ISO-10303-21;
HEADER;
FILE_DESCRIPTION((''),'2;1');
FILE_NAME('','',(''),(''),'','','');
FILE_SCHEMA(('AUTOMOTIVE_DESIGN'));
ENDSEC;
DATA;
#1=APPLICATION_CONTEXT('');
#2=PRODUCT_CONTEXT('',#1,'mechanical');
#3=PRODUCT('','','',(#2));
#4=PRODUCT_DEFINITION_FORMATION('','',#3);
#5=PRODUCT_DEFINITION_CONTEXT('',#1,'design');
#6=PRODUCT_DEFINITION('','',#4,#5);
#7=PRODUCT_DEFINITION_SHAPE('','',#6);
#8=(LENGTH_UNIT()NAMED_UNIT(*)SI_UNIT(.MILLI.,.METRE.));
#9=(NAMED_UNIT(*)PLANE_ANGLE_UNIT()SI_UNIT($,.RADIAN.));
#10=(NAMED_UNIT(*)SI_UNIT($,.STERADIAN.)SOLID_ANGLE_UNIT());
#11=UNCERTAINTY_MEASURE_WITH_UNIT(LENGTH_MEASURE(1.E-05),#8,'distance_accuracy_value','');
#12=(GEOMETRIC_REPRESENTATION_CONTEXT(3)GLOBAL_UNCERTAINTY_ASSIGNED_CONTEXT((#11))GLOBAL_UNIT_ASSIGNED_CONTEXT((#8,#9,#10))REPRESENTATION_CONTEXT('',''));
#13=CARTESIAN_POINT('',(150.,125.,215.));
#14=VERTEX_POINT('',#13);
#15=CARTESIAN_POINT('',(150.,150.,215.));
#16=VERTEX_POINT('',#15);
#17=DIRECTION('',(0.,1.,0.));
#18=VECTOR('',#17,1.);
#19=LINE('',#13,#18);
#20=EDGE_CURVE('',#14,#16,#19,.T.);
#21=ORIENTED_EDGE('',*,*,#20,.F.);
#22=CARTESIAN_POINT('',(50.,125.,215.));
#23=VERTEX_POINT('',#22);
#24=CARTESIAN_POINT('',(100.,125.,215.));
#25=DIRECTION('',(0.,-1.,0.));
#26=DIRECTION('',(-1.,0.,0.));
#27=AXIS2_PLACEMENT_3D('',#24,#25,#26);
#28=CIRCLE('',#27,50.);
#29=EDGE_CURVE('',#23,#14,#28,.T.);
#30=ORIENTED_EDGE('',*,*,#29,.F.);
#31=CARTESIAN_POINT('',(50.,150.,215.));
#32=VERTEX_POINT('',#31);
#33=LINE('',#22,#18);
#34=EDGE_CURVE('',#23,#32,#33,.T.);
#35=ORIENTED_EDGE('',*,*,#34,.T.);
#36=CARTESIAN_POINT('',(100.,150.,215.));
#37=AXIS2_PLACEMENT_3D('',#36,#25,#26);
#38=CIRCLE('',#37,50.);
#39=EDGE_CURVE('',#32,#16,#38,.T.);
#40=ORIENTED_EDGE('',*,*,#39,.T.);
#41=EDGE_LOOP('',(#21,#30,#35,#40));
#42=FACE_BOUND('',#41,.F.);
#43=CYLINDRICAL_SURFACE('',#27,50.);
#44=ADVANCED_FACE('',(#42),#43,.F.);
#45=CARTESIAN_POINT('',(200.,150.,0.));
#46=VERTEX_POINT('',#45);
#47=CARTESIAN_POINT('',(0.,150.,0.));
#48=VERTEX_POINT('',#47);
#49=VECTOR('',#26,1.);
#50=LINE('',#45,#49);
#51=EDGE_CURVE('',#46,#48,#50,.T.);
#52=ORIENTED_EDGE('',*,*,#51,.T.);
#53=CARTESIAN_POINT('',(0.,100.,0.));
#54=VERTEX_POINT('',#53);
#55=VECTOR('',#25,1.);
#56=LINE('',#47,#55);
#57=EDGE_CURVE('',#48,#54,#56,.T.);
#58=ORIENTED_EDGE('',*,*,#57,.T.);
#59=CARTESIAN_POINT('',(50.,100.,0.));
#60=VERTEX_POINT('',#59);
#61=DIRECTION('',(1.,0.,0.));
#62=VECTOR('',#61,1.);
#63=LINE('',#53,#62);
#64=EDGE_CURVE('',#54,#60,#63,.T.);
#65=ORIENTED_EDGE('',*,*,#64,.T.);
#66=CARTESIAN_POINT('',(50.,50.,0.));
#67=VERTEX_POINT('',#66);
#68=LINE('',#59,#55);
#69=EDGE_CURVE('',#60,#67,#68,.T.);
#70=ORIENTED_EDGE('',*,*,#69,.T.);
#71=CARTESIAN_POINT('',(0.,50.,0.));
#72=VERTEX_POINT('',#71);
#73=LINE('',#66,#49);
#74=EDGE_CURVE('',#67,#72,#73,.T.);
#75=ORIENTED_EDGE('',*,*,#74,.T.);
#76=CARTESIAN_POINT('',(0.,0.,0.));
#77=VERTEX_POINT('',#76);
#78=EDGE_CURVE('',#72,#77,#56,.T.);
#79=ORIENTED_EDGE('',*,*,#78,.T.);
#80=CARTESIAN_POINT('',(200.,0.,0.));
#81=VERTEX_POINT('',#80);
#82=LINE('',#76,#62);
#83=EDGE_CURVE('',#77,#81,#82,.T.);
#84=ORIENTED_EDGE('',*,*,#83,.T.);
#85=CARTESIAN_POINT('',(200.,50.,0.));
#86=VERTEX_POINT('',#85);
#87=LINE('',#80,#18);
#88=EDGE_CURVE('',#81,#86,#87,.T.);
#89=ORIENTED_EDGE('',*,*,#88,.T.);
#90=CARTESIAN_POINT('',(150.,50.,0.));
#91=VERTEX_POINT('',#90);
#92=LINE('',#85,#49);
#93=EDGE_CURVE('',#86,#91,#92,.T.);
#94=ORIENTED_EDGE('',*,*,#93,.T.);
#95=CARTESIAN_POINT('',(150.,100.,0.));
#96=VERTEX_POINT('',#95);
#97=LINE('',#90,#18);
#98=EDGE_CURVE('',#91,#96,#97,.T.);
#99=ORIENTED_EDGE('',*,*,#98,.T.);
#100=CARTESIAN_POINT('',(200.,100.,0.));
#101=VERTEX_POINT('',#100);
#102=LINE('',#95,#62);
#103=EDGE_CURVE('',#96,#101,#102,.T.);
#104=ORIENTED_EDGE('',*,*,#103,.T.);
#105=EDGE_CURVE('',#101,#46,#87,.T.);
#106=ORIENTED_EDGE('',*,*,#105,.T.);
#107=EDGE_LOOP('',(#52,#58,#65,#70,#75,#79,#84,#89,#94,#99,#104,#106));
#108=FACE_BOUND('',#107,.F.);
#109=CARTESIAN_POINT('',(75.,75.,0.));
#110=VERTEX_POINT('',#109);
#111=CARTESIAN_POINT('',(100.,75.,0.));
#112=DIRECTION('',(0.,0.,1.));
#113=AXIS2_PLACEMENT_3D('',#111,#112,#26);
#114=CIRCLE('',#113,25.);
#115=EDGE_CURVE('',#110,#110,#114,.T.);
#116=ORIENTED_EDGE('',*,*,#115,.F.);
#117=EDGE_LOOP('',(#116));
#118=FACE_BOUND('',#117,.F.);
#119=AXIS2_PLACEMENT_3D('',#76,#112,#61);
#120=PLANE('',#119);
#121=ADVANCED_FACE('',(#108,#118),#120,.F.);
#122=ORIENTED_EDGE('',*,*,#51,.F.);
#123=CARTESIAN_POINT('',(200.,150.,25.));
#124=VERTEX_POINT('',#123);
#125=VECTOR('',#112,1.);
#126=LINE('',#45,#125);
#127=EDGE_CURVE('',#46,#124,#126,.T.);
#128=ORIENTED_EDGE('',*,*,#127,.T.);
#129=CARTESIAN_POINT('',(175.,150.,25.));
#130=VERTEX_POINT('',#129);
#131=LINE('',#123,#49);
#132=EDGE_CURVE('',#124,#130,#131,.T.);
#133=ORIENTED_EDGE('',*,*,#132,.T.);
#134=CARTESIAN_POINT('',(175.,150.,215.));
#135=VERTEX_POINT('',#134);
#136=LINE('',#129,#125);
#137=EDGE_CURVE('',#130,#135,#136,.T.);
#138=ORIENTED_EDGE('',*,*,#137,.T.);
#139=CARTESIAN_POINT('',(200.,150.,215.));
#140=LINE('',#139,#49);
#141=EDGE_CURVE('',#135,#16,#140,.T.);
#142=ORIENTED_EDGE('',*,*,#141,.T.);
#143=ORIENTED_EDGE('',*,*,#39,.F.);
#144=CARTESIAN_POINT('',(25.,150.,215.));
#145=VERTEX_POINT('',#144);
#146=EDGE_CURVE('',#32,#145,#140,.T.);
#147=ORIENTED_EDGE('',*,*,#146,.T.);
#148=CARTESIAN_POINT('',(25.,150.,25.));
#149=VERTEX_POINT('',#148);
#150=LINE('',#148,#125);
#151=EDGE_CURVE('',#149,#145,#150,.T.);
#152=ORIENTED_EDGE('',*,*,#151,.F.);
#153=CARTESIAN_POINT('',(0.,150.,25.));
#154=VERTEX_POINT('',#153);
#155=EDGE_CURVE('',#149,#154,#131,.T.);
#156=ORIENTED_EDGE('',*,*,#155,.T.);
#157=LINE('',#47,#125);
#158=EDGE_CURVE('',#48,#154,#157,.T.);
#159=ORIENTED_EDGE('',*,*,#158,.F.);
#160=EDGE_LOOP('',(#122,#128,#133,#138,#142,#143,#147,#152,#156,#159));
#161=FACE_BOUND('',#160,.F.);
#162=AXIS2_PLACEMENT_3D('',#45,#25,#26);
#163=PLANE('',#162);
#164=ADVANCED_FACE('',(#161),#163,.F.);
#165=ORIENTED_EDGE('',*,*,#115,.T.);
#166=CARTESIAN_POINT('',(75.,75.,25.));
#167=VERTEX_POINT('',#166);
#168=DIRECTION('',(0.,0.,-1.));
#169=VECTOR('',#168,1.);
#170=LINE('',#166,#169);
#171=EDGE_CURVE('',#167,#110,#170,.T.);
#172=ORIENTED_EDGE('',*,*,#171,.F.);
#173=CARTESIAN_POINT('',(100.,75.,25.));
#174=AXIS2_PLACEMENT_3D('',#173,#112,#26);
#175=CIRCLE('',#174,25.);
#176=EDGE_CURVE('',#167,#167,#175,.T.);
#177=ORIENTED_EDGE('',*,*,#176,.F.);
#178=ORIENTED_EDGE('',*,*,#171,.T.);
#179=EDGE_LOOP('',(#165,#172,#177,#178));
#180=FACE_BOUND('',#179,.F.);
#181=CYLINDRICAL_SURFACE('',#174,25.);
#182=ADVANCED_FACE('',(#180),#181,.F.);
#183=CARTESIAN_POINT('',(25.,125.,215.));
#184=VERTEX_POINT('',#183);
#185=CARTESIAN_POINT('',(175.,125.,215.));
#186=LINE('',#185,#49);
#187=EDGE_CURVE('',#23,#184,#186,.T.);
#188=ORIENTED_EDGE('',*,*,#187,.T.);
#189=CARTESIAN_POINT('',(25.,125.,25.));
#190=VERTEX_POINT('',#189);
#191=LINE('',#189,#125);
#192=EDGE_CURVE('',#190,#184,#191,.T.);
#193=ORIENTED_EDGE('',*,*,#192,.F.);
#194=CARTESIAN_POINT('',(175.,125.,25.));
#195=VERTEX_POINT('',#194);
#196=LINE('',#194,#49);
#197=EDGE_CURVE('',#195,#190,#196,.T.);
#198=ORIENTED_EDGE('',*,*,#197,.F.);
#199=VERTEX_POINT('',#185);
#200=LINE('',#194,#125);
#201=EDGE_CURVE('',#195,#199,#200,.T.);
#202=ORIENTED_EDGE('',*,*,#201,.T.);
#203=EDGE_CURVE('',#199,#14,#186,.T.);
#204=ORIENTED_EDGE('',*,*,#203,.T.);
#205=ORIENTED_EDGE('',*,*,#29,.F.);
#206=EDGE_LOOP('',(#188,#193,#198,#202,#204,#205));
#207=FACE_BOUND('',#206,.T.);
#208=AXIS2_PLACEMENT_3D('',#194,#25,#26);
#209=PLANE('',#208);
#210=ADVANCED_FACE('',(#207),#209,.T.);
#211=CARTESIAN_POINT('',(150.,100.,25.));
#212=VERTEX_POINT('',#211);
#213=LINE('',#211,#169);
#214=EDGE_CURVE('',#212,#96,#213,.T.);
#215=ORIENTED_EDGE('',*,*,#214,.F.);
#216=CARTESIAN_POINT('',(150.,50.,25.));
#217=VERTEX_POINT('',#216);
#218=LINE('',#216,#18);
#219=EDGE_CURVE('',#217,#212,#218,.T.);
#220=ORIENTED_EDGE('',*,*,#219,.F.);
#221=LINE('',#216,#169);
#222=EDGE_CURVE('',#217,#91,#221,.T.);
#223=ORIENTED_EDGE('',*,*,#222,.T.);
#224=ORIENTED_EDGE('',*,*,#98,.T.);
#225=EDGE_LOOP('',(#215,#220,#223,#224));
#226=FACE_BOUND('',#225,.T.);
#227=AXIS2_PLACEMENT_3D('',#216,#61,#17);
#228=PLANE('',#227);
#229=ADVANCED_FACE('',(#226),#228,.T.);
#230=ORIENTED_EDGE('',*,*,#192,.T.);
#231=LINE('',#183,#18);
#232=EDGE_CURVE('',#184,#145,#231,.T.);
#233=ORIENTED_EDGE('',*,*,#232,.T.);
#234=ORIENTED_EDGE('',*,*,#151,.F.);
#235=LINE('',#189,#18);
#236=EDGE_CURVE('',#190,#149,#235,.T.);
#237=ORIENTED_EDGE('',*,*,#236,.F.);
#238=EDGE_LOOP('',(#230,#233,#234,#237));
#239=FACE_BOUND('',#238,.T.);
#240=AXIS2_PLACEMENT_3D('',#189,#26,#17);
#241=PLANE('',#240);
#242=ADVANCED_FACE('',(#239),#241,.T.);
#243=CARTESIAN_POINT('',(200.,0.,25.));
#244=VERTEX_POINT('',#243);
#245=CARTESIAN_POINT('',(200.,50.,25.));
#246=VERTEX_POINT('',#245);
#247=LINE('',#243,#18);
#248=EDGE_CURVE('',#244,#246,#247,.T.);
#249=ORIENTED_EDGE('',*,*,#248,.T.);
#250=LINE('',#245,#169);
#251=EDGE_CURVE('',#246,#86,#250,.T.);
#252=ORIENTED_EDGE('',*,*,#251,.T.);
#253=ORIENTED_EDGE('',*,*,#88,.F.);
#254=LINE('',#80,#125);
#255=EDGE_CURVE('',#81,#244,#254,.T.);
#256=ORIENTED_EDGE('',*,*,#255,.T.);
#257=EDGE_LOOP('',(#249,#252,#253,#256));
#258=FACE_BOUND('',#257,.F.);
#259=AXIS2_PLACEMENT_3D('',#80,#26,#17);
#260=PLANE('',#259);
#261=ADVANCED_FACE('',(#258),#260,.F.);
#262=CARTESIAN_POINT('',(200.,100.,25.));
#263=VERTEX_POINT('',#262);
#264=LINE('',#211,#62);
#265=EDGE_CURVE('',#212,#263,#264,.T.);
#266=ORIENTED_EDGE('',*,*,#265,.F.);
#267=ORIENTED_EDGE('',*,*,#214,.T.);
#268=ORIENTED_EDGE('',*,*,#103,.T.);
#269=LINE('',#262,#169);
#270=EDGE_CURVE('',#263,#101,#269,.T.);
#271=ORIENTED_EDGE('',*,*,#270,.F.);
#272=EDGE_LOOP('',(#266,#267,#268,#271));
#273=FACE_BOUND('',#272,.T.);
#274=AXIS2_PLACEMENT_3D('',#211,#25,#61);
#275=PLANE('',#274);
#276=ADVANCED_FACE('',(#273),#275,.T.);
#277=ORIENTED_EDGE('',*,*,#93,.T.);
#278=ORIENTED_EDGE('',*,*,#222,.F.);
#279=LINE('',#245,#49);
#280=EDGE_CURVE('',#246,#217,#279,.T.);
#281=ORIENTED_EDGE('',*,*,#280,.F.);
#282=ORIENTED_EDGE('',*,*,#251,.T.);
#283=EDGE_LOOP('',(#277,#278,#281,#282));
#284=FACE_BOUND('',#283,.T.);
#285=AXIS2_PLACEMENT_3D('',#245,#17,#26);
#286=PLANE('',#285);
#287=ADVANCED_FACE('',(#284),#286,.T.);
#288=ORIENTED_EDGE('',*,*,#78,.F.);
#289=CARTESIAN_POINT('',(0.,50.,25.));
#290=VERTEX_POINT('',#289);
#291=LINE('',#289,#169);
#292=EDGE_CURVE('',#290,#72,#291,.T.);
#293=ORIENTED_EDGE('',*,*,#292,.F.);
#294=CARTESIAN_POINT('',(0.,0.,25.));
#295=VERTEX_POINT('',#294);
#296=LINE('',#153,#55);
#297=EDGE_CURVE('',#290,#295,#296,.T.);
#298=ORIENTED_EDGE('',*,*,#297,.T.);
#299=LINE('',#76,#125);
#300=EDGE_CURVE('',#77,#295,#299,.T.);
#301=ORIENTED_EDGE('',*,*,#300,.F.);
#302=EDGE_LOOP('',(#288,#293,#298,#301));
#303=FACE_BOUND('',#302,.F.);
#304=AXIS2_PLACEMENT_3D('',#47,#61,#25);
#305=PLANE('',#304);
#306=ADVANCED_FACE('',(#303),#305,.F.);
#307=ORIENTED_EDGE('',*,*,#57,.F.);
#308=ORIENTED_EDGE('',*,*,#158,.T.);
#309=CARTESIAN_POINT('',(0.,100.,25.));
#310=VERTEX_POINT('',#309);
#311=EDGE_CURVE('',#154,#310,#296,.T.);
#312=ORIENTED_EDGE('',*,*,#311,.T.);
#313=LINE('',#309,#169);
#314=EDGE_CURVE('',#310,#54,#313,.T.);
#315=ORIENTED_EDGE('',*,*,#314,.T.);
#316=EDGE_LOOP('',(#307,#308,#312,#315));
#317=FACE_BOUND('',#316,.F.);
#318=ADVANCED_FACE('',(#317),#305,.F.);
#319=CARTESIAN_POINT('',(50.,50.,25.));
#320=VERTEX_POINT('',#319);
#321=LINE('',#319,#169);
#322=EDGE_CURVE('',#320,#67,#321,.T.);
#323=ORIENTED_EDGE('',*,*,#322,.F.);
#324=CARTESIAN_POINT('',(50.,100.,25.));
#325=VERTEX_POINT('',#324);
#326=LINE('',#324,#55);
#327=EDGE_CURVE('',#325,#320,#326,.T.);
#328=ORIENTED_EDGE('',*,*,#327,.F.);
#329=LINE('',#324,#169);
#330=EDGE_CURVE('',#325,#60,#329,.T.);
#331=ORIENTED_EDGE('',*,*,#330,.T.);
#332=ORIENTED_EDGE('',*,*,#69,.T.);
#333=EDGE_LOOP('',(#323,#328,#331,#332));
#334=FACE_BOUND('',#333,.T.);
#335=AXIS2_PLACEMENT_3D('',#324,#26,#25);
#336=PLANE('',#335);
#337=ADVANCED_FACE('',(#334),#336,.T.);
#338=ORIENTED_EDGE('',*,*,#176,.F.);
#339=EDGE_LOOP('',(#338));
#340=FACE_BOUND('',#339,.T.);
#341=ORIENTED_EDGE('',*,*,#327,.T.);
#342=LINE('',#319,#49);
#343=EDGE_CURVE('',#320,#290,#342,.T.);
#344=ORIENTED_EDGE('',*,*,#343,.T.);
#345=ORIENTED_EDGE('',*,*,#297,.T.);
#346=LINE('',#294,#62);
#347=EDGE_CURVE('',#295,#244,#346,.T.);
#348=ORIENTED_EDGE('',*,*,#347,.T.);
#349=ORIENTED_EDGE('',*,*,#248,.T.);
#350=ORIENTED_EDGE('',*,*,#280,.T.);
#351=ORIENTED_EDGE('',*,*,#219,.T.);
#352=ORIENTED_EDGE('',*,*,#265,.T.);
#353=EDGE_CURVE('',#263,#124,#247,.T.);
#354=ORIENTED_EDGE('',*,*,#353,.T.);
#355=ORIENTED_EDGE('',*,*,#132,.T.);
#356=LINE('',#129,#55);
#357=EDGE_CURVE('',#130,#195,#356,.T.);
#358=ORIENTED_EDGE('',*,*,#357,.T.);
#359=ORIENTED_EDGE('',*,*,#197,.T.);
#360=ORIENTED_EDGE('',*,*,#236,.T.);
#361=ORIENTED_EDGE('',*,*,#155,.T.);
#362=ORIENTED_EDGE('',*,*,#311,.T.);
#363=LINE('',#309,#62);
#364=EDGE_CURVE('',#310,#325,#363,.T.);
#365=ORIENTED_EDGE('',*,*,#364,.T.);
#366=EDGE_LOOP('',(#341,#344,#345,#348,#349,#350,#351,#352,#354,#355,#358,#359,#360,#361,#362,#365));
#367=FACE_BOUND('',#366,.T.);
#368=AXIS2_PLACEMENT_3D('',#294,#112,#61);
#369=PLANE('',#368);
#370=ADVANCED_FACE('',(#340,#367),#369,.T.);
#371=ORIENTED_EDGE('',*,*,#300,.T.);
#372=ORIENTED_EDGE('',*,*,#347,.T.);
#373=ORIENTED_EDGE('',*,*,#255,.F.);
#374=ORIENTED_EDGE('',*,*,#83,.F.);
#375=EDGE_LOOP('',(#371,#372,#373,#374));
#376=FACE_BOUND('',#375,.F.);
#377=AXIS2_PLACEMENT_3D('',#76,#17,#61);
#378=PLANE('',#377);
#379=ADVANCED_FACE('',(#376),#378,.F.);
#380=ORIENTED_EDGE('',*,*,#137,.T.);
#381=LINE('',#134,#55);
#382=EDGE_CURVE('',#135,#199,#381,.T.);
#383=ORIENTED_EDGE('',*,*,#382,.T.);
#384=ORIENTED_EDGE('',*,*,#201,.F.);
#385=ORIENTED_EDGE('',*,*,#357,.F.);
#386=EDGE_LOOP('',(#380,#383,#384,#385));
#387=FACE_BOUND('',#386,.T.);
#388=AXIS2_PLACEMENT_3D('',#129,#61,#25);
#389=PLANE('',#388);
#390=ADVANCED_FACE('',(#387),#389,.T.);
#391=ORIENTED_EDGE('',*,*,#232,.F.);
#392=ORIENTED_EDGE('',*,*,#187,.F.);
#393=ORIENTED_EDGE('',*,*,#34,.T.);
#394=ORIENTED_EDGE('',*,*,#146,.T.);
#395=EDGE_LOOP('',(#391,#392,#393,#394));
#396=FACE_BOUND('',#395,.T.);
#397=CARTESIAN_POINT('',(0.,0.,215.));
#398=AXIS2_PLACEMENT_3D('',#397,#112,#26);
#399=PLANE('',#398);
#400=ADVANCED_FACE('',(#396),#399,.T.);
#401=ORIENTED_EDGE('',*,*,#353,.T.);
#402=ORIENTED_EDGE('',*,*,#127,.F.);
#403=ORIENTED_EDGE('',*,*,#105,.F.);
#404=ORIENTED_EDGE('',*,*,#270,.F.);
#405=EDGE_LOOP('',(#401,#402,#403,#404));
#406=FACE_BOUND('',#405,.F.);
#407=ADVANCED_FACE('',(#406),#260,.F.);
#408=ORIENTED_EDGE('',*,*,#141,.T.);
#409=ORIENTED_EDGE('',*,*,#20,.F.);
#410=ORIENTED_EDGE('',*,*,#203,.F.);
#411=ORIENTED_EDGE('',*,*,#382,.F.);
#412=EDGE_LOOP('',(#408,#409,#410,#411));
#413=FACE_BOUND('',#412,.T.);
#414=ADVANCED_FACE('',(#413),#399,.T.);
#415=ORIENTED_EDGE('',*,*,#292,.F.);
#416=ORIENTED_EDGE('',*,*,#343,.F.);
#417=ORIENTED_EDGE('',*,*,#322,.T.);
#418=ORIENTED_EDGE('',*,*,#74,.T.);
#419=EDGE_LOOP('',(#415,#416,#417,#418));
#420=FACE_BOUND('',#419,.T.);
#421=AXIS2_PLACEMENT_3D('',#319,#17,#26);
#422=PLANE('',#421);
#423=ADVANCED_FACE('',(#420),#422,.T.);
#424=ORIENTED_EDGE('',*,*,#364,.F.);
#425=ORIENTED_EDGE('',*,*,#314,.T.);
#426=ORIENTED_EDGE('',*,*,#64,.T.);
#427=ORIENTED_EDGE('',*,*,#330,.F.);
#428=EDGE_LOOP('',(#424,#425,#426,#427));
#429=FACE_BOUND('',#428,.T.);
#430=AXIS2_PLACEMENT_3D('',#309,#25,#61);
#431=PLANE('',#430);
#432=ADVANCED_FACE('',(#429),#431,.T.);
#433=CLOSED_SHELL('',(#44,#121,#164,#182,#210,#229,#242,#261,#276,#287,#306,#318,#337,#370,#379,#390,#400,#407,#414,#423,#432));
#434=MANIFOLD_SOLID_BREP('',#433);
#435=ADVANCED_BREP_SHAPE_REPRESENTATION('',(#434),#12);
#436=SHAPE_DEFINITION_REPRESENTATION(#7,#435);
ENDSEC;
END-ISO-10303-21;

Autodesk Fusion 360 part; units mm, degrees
sketch "Sketch15" plane through (0, 0, 0) normal (0, 0, 1) x (1, 0, 0)
  line L0 (0, 0) -> (200, 0)
  line L1 (200, 0) -> (200, 150)
  line L2 (200, 150) -> (0, 150)
  line L3 (0, 150) -> (0, 0)
  dimension "d98" = 200
  dimension "d99" = 150
extrude "Extrude13" add sketch "Sketch15" along normal blind 25
sketch "Sketch16" plane through (0, 0, 25) normal (0, 0, 1) x (-1, 0, 0)
  line L0 (0, -150) -> (0, 0)
  line L1 (0, 0) -> (-200, 0)
  line L2 (-200, 0) -> (-200, -150)
  line L3 (-200, -150) -> (0, -150)
  line L4 (-200, -50) -> (-150, -50)
  line L5 (-150, -50) -> (-150, -100)
  line L6 (-150, -100) -> (-200, -100)
  line L7 (0, -100) -> (-50, -100)
  line L8 (-50, -100) -> (-50, -50)
  line L9 (-50, -50) -> (0, -50)
  line L10 (0, -75) -> (-100, -75) construction
  circle A0 centre (-100, -75) radius 25
  line L11 (-175, -150) -> (-175, -125)
  line L12 (-175, -125) -> (-25, -125)
  line L13 (-25, -125) -> (-25, -150)
  dimension "d103" = 50
  dimension "d104" = 50
  dimension "d105" = 50
  dimension "d106" = 50
  dimension "d107" = 50
  dimension "d108" = 100
  dimension "d109" = 50
  dimension "d111" = 25
  dimension "d112" = 150
extrude "Extrude14" cut sketch "Sketch16" against normal blind 25 contours L0 L7 L8 L9 | L2 L4 L5 L6
extrude "Extrude15" cut sketch "Sketch16" against normal blind 25 contours A0
extrude "Extrude16" add sketch "Sketch16" along normal blind 190 contours L3 L11 L12 L13
sketch "Sketch17" plane through (0, 125, 0) normal (0, -1, 0) x (1, 0, 0)
  line L0 (25, 25) -> (175, 25)
  line L1 (175, 25) -> (175, 215)
  line L2 (175, 215) -> (25, 215)
  line L3 (25, 215) -> (25, 25)
  line L4 (25, 215) -> (50, 215) construction
  line L5 (175, 215) -> (150, 215) construction
  arc A0 (50, 215) -> (150, 215) centre (100, 215) ccw
  dimension "d119" = 25
  dimension "d120" = 25
  dimension "d121" = 100
extrude "Extrude17" cut sketch "Sketch17" against normal blind 25 contours L2 A0
